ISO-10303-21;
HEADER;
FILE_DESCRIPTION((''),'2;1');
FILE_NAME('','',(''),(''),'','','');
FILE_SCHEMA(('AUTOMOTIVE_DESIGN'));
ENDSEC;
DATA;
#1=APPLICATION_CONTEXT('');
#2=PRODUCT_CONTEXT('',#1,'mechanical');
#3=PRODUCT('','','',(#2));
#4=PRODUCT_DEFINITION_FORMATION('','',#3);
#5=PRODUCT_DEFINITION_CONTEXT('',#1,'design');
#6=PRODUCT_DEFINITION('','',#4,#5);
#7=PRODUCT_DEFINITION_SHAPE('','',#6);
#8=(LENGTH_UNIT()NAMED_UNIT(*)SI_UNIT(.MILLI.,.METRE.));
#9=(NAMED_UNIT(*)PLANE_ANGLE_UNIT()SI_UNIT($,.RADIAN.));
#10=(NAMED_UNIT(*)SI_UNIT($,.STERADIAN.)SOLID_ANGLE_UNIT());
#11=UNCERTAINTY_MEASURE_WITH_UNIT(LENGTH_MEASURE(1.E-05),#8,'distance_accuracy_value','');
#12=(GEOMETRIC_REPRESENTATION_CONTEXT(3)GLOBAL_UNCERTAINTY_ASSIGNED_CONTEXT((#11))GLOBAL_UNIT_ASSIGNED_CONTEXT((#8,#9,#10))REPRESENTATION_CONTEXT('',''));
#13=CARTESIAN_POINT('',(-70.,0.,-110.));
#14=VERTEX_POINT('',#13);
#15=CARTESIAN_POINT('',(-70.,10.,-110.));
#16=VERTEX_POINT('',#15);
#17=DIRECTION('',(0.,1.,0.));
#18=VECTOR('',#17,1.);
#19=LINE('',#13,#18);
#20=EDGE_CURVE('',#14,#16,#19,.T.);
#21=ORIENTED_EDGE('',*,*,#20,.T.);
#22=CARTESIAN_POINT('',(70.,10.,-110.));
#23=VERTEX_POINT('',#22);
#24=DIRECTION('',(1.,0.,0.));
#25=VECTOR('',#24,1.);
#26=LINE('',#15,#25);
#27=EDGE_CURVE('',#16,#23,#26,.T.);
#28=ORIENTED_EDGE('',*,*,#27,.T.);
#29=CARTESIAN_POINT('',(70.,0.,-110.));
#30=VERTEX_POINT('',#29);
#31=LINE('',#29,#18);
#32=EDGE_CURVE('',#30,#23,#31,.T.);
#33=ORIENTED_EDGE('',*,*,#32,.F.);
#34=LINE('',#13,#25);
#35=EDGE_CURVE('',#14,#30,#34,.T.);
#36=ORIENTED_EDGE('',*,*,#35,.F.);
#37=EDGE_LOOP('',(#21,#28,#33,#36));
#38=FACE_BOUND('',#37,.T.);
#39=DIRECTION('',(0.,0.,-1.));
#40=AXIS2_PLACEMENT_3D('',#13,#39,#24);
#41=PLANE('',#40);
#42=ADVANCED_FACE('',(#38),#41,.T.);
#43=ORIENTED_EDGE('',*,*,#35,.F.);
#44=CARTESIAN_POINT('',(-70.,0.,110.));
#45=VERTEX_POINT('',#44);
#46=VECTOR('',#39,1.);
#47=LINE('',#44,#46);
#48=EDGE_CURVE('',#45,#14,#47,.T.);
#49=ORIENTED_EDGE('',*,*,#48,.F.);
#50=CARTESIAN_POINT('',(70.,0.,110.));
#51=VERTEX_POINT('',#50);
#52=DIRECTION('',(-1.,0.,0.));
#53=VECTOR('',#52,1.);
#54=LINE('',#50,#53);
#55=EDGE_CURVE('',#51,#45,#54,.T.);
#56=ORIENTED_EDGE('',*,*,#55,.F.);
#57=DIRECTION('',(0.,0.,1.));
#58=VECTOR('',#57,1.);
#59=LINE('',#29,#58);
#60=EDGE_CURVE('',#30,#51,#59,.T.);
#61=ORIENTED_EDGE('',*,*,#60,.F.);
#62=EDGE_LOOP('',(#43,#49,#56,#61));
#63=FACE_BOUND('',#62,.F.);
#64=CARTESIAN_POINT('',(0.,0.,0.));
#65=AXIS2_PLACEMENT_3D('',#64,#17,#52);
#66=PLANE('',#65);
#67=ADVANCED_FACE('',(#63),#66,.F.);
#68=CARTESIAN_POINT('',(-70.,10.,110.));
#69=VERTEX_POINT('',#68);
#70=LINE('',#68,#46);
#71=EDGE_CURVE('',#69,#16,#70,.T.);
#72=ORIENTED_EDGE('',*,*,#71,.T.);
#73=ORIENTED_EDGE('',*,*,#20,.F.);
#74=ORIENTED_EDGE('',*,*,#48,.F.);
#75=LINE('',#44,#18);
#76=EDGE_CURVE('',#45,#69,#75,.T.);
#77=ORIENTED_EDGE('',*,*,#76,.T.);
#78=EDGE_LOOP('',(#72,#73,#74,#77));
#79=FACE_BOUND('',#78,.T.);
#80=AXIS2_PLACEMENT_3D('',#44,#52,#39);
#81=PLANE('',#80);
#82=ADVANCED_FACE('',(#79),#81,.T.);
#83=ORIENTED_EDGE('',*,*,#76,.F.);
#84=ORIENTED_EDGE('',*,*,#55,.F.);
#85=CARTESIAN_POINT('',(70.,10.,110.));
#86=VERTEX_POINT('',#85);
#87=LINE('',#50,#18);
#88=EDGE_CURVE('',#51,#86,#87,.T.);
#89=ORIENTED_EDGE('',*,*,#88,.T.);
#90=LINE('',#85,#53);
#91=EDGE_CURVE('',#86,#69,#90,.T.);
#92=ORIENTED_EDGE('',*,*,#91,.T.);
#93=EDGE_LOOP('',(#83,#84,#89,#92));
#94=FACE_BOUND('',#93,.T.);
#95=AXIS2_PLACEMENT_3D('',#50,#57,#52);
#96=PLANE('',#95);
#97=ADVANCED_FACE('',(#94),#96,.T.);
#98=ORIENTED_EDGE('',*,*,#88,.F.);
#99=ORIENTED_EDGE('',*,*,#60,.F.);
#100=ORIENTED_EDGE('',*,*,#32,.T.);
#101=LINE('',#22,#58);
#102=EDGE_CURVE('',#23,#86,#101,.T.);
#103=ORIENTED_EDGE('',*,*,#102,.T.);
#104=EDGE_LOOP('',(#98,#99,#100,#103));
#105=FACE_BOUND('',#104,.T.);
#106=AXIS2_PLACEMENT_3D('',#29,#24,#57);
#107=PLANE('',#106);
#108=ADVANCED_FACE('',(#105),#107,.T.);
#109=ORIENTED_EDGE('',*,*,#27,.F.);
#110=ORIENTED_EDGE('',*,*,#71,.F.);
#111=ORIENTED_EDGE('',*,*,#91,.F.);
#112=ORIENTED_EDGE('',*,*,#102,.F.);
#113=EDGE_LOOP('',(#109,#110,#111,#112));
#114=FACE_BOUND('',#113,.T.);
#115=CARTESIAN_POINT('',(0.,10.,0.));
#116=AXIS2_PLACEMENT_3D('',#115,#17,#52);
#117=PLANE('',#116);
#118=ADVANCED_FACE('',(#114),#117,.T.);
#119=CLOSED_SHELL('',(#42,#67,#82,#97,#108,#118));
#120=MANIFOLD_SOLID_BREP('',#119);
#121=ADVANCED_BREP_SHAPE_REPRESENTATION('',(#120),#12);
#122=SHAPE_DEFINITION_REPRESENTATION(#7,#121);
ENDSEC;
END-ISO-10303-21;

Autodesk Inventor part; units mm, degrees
ref_plane "YZ Plane" through (0, 0, 0) normal (1, 0, 0) x (0, 1, 0)
ref_plane "XZ Plane" through (0, 0, 0) normal (0, 1, 0) x (-1, 0, 0)
ref_plane "XY Plane" through (0, 0, 0) normal (0, 0, 1) x (1, 0, 0)
sketch "Boceto1" plane through (0, 0, 0) normal (0, 1, 0) x (-1, 0, 0)
  line L0 (-70, 110) -> (70, 110)
  line L1 (70, 110) -> (70, -110)
  line L2 (70, -110) -> (-70, -110)
  line L3 (-70, -110) -> (-70, 110)
  line L4 (-70, 110) -> (70, -110) construction
  line L5 (70, 110) -> (-70, -110) construction
  point P0 (0, 0)
  dimension "d0" = 140
  dimension "d1" = 220
extrude "Extrusión1" add sketch "Boceto1" along normal blind 10
properties part number "TAPA INFERIOR" material "Plástico PMMA"
